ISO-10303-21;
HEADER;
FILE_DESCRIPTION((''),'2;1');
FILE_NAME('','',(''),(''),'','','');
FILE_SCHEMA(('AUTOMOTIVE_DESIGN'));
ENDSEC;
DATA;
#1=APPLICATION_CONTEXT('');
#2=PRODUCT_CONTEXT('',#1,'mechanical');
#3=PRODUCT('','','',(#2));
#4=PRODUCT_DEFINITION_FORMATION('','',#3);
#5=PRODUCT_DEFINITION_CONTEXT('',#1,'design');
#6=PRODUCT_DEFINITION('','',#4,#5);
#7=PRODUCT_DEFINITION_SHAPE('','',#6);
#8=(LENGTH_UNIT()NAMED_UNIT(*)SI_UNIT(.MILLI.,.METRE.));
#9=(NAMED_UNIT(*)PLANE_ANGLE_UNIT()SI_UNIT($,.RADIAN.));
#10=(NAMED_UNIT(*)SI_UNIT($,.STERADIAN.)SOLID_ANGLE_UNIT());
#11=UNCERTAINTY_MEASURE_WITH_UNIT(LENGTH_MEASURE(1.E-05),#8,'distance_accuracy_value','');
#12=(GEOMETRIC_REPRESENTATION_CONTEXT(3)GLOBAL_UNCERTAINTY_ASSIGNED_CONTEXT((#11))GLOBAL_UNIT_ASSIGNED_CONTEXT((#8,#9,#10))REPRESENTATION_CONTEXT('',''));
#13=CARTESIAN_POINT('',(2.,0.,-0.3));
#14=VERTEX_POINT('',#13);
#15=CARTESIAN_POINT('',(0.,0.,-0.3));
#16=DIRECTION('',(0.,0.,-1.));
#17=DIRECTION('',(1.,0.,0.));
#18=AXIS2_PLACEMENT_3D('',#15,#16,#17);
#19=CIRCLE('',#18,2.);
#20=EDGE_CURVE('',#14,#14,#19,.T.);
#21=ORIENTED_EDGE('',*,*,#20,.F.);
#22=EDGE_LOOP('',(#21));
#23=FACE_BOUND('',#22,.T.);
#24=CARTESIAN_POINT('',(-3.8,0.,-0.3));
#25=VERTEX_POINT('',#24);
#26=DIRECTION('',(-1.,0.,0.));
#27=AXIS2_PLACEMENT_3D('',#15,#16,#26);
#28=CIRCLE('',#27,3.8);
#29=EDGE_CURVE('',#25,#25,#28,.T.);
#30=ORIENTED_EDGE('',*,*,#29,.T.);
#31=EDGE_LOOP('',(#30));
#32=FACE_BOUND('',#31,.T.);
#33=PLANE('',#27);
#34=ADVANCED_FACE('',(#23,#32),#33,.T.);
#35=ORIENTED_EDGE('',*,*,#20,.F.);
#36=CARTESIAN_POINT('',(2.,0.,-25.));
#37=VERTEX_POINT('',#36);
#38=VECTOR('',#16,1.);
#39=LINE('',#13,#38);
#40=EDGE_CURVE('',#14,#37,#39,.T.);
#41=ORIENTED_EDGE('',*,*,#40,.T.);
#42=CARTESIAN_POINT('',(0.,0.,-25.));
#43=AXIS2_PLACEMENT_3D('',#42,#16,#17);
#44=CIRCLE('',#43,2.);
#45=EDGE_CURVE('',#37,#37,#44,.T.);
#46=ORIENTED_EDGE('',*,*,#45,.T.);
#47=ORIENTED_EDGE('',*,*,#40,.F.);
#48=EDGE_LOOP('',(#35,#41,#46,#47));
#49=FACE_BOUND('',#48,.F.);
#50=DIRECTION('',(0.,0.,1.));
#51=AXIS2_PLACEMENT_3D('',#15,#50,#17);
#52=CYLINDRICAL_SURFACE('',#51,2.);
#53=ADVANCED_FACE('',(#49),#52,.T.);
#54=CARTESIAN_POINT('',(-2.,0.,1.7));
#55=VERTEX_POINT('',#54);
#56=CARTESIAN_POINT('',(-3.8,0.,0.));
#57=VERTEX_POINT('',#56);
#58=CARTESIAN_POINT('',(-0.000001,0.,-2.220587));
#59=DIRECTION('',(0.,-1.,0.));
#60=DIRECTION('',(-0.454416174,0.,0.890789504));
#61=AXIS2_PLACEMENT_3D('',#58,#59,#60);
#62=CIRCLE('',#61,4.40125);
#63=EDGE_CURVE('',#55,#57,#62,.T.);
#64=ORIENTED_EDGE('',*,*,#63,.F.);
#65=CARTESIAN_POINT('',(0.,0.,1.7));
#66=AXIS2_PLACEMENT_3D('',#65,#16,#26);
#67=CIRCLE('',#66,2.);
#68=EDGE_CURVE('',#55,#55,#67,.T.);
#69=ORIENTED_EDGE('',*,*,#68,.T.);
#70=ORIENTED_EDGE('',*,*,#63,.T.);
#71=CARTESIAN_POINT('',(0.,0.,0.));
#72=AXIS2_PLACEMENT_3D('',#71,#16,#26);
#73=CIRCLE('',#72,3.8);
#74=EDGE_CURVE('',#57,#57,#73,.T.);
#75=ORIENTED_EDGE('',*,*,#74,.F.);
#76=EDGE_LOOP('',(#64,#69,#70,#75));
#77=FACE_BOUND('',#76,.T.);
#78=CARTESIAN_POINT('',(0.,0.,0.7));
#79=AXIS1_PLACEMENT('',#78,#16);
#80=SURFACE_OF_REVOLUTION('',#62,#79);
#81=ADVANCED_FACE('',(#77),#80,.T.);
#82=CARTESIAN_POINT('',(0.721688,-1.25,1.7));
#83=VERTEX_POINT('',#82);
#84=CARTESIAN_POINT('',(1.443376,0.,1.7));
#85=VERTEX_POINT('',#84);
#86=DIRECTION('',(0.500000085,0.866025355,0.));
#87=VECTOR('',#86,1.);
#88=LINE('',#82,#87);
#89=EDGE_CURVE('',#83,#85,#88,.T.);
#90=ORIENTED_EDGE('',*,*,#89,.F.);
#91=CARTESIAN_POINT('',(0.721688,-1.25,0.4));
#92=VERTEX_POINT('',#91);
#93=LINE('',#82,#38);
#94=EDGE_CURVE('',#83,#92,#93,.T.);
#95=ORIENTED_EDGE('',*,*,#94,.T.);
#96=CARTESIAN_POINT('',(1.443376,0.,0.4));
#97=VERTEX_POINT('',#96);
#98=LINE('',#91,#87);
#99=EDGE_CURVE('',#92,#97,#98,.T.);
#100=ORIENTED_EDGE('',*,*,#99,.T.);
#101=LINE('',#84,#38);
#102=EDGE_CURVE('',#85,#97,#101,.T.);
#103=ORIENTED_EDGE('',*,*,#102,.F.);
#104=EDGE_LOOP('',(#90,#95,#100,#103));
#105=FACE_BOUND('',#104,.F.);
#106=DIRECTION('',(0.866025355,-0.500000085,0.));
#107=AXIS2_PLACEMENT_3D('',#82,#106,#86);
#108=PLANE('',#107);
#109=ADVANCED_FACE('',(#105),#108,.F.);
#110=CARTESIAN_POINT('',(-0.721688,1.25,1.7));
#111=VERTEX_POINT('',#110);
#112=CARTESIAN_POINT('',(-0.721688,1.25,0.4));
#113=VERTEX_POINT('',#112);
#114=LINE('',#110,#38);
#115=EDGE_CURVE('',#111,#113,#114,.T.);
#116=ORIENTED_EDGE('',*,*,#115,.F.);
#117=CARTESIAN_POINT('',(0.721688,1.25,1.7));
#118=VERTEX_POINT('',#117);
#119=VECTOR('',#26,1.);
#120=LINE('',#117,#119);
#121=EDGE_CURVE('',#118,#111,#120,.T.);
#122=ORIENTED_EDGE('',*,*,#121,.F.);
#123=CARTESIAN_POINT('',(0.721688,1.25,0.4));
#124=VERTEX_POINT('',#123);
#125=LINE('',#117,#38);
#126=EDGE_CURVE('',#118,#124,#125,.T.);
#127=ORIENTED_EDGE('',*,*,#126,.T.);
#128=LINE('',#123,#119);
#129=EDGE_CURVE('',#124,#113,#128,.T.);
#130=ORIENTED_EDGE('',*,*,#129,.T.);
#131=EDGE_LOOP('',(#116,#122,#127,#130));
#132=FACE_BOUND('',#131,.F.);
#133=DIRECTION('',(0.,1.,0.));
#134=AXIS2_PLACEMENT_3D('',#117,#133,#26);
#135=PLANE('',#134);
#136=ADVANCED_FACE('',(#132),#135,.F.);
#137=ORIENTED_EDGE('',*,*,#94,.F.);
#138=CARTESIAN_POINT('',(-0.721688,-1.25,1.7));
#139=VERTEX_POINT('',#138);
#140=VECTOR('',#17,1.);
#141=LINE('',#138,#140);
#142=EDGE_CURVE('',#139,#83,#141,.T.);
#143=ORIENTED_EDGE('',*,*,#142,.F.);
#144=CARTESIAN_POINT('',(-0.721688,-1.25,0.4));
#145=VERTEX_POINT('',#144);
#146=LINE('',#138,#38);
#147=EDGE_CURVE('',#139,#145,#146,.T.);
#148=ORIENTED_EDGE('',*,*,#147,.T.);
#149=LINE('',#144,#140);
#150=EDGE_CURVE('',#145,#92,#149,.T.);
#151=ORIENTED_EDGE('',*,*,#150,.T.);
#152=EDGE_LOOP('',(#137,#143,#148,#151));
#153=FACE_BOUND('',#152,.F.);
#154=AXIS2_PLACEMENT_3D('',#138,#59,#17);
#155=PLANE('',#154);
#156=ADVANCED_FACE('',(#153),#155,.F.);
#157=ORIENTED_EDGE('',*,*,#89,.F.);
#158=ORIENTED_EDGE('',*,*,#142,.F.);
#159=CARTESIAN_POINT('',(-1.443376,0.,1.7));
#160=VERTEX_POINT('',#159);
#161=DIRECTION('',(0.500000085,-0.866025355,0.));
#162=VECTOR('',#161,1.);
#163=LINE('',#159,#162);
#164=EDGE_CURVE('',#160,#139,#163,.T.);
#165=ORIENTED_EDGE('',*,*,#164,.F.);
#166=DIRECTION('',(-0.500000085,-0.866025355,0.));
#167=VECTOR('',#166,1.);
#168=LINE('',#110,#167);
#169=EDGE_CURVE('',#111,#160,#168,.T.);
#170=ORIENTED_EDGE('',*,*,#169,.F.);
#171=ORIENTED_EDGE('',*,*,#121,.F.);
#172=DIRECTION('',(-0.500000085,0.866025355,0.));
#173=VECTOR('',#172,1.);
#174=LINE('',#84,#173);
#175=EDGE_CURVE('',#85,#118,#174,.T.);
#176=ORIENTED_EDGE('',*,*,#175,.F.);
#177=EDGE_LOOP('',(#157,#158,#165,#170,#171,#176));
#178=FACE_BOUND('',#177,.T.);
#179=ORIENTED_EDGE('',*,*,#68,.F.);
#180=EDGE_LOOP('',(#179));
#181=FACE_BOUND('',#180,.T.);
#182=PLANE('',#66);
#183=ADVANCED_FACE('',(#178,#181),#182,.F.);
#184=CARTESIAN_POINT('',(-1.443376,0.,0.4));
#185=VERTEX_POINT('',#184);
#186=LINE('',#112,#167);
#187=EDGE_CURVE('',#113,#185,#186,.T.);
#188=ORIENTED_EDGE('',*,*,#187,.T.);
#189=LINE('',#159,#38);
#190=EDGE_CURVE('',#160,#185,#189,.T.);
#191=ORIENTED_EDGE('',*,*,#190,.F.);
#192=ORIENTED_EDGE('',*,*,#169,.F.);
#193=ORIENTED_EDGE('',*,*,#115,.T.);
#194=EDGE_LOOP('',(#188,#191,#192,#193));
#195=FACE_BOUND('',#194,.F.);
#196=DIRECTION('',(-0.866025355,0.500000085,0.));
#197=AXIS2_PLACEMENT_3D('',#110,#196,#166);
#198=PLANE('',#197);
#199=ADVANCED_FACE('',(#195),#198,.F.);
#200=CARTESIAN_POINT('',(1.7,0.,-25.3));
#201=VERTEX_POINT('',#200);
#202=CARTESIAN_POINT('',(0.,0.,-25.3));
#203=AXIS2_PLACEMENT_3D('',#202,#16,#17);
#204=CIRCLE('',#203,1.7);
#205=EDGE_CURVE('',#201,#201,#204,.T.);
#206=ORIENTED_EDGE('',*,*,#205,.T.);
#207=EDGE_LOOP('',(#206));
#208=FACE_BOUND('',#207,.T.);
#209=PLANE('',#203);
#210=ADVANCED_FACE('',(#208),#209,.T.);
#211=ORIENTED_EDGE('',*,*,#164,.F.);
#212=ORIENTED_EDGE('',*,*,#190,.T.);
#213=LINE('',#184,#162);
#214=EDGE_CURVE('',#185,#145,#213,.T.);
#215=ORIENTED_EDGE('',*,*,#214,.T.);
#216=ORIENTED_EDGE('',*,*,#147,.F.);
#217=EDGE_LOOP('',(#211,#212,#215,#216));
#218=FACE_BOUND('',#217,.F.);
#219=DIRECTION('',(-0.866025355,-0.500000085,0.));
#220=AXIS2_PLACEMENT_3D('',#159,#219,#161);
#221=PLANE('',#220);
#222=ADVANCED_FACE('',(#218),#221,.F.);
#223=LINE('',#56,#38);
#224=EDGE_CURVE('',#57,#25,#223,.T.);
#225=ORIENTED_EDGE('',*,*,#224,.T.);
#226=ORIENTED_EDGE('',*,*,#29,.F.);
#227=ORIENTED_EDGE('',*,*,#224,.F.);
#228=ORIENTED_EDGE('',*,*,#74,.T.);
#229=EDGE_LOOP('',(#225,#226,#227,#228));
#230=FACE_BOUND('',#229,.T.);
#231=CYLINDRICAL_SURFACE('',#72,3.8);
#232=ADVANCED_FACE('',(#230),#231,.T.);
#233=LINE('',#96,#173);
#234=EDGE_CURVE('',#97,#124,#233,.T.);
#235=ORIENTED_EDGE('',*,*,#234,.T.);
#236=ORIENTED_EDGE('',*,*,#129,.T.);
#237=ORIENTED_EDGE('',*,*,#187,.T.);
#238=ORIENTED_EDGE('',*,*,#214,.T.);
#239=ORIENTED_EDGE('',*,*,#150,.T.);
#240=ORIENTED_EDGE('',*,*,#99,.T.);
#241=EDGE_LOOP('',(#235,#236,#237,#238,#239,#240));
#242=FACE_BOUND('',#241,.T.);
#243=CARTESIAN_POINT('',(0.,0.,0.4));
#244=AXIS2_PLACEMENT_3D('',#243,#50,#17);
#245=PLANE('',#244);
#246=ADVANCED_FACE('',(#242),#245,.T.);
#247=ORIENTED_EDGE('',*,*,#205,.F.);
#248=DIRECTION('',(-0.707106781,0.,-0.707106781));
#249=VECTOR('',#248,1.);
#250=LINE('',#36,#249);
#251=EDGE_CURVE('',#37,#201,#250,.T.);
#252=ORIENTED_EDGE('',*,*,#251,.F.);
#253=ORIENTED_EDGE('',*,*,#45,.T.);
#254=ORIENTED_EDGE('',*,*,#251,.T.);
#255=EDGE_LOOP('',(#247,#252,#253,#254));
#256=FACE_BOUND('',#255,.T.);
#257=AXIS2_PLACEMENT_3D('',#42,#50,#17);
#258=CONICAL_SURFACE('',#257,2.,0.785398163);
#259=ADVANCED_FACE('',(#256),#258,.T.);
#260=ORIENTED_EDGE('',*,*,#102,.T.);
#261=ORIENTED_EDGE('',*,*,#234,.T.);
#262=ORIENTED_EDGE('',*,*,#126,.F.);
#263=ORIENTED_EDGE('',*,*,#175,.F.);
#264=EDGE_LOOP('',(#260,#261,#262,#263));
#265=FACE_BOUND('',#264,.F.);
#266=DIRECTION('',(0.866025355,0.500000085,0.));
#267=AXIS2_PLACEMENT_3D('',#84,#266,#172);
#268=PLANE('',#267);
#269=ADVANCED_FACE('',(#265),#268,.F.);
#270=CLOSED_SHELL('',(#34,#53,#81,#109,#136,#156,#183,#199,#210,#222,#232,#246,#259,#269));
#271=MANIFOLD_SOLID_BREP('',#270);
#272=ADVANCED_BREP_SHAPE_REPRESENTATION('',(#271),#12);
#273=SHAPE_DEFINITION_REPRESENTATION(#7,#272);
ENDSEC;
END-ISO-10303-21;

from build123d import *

# Parameters (mm, degrees)
F3_DEPTH = 1.3
F4_R     = 2
F5_DEPTH = 25
F6_SIZE  = 0.3


with BuildPart() as f1:
    # F0 (on Front) → F1 (revolve)
    with BuildSketch(Plane.XZ):
        with BuildLine():
            Line((-3.8, 0), (-3.8, -0.3))
            Line((-3.8, -0.3), (0, -0.3))
            Line((0, -0.3), (0, 1.7))
            Line((0, 1.7), (-2, 1.7))
            ThreePointArc((-2, 1.7), (-3.022003, 0.979179), (-3.8, 0))
        make_face()
    revolve(axis=Axis((0, 0, 0.7), (0, 0, -1)))

    # F2 (on face) → F3 (cut)
    with BuildSketch(Plane.XY.offset(1.7)):
        Polygon((0.721688, 1.25), (-0.721688, 1.25), (-1.443376, 0), (-0.721688, -1.25), (0.721688, -1.25), (1.443376, 0), align=None)
    extrude(amount=-F3_DEPTH, mode=Mode.SUBTRACT)

    # F4 (on face) → F5 (join)
    with BuildSketch(Plane(origin=(0, 0, -0.3), x_dir=(1, 0, 0), z_dir=(0, 0, -1))):
        Circle(F4_R)
    extrude(amount=F5_DEPTH)

    # F6
    f6_edges = [f1.edges().sort_by_distance(p)[0] for p in [
        (-2, 0, -25.3),
    ]]
    chamfer(f6_edges, length=F6_SIZE)


solid = f1.part
